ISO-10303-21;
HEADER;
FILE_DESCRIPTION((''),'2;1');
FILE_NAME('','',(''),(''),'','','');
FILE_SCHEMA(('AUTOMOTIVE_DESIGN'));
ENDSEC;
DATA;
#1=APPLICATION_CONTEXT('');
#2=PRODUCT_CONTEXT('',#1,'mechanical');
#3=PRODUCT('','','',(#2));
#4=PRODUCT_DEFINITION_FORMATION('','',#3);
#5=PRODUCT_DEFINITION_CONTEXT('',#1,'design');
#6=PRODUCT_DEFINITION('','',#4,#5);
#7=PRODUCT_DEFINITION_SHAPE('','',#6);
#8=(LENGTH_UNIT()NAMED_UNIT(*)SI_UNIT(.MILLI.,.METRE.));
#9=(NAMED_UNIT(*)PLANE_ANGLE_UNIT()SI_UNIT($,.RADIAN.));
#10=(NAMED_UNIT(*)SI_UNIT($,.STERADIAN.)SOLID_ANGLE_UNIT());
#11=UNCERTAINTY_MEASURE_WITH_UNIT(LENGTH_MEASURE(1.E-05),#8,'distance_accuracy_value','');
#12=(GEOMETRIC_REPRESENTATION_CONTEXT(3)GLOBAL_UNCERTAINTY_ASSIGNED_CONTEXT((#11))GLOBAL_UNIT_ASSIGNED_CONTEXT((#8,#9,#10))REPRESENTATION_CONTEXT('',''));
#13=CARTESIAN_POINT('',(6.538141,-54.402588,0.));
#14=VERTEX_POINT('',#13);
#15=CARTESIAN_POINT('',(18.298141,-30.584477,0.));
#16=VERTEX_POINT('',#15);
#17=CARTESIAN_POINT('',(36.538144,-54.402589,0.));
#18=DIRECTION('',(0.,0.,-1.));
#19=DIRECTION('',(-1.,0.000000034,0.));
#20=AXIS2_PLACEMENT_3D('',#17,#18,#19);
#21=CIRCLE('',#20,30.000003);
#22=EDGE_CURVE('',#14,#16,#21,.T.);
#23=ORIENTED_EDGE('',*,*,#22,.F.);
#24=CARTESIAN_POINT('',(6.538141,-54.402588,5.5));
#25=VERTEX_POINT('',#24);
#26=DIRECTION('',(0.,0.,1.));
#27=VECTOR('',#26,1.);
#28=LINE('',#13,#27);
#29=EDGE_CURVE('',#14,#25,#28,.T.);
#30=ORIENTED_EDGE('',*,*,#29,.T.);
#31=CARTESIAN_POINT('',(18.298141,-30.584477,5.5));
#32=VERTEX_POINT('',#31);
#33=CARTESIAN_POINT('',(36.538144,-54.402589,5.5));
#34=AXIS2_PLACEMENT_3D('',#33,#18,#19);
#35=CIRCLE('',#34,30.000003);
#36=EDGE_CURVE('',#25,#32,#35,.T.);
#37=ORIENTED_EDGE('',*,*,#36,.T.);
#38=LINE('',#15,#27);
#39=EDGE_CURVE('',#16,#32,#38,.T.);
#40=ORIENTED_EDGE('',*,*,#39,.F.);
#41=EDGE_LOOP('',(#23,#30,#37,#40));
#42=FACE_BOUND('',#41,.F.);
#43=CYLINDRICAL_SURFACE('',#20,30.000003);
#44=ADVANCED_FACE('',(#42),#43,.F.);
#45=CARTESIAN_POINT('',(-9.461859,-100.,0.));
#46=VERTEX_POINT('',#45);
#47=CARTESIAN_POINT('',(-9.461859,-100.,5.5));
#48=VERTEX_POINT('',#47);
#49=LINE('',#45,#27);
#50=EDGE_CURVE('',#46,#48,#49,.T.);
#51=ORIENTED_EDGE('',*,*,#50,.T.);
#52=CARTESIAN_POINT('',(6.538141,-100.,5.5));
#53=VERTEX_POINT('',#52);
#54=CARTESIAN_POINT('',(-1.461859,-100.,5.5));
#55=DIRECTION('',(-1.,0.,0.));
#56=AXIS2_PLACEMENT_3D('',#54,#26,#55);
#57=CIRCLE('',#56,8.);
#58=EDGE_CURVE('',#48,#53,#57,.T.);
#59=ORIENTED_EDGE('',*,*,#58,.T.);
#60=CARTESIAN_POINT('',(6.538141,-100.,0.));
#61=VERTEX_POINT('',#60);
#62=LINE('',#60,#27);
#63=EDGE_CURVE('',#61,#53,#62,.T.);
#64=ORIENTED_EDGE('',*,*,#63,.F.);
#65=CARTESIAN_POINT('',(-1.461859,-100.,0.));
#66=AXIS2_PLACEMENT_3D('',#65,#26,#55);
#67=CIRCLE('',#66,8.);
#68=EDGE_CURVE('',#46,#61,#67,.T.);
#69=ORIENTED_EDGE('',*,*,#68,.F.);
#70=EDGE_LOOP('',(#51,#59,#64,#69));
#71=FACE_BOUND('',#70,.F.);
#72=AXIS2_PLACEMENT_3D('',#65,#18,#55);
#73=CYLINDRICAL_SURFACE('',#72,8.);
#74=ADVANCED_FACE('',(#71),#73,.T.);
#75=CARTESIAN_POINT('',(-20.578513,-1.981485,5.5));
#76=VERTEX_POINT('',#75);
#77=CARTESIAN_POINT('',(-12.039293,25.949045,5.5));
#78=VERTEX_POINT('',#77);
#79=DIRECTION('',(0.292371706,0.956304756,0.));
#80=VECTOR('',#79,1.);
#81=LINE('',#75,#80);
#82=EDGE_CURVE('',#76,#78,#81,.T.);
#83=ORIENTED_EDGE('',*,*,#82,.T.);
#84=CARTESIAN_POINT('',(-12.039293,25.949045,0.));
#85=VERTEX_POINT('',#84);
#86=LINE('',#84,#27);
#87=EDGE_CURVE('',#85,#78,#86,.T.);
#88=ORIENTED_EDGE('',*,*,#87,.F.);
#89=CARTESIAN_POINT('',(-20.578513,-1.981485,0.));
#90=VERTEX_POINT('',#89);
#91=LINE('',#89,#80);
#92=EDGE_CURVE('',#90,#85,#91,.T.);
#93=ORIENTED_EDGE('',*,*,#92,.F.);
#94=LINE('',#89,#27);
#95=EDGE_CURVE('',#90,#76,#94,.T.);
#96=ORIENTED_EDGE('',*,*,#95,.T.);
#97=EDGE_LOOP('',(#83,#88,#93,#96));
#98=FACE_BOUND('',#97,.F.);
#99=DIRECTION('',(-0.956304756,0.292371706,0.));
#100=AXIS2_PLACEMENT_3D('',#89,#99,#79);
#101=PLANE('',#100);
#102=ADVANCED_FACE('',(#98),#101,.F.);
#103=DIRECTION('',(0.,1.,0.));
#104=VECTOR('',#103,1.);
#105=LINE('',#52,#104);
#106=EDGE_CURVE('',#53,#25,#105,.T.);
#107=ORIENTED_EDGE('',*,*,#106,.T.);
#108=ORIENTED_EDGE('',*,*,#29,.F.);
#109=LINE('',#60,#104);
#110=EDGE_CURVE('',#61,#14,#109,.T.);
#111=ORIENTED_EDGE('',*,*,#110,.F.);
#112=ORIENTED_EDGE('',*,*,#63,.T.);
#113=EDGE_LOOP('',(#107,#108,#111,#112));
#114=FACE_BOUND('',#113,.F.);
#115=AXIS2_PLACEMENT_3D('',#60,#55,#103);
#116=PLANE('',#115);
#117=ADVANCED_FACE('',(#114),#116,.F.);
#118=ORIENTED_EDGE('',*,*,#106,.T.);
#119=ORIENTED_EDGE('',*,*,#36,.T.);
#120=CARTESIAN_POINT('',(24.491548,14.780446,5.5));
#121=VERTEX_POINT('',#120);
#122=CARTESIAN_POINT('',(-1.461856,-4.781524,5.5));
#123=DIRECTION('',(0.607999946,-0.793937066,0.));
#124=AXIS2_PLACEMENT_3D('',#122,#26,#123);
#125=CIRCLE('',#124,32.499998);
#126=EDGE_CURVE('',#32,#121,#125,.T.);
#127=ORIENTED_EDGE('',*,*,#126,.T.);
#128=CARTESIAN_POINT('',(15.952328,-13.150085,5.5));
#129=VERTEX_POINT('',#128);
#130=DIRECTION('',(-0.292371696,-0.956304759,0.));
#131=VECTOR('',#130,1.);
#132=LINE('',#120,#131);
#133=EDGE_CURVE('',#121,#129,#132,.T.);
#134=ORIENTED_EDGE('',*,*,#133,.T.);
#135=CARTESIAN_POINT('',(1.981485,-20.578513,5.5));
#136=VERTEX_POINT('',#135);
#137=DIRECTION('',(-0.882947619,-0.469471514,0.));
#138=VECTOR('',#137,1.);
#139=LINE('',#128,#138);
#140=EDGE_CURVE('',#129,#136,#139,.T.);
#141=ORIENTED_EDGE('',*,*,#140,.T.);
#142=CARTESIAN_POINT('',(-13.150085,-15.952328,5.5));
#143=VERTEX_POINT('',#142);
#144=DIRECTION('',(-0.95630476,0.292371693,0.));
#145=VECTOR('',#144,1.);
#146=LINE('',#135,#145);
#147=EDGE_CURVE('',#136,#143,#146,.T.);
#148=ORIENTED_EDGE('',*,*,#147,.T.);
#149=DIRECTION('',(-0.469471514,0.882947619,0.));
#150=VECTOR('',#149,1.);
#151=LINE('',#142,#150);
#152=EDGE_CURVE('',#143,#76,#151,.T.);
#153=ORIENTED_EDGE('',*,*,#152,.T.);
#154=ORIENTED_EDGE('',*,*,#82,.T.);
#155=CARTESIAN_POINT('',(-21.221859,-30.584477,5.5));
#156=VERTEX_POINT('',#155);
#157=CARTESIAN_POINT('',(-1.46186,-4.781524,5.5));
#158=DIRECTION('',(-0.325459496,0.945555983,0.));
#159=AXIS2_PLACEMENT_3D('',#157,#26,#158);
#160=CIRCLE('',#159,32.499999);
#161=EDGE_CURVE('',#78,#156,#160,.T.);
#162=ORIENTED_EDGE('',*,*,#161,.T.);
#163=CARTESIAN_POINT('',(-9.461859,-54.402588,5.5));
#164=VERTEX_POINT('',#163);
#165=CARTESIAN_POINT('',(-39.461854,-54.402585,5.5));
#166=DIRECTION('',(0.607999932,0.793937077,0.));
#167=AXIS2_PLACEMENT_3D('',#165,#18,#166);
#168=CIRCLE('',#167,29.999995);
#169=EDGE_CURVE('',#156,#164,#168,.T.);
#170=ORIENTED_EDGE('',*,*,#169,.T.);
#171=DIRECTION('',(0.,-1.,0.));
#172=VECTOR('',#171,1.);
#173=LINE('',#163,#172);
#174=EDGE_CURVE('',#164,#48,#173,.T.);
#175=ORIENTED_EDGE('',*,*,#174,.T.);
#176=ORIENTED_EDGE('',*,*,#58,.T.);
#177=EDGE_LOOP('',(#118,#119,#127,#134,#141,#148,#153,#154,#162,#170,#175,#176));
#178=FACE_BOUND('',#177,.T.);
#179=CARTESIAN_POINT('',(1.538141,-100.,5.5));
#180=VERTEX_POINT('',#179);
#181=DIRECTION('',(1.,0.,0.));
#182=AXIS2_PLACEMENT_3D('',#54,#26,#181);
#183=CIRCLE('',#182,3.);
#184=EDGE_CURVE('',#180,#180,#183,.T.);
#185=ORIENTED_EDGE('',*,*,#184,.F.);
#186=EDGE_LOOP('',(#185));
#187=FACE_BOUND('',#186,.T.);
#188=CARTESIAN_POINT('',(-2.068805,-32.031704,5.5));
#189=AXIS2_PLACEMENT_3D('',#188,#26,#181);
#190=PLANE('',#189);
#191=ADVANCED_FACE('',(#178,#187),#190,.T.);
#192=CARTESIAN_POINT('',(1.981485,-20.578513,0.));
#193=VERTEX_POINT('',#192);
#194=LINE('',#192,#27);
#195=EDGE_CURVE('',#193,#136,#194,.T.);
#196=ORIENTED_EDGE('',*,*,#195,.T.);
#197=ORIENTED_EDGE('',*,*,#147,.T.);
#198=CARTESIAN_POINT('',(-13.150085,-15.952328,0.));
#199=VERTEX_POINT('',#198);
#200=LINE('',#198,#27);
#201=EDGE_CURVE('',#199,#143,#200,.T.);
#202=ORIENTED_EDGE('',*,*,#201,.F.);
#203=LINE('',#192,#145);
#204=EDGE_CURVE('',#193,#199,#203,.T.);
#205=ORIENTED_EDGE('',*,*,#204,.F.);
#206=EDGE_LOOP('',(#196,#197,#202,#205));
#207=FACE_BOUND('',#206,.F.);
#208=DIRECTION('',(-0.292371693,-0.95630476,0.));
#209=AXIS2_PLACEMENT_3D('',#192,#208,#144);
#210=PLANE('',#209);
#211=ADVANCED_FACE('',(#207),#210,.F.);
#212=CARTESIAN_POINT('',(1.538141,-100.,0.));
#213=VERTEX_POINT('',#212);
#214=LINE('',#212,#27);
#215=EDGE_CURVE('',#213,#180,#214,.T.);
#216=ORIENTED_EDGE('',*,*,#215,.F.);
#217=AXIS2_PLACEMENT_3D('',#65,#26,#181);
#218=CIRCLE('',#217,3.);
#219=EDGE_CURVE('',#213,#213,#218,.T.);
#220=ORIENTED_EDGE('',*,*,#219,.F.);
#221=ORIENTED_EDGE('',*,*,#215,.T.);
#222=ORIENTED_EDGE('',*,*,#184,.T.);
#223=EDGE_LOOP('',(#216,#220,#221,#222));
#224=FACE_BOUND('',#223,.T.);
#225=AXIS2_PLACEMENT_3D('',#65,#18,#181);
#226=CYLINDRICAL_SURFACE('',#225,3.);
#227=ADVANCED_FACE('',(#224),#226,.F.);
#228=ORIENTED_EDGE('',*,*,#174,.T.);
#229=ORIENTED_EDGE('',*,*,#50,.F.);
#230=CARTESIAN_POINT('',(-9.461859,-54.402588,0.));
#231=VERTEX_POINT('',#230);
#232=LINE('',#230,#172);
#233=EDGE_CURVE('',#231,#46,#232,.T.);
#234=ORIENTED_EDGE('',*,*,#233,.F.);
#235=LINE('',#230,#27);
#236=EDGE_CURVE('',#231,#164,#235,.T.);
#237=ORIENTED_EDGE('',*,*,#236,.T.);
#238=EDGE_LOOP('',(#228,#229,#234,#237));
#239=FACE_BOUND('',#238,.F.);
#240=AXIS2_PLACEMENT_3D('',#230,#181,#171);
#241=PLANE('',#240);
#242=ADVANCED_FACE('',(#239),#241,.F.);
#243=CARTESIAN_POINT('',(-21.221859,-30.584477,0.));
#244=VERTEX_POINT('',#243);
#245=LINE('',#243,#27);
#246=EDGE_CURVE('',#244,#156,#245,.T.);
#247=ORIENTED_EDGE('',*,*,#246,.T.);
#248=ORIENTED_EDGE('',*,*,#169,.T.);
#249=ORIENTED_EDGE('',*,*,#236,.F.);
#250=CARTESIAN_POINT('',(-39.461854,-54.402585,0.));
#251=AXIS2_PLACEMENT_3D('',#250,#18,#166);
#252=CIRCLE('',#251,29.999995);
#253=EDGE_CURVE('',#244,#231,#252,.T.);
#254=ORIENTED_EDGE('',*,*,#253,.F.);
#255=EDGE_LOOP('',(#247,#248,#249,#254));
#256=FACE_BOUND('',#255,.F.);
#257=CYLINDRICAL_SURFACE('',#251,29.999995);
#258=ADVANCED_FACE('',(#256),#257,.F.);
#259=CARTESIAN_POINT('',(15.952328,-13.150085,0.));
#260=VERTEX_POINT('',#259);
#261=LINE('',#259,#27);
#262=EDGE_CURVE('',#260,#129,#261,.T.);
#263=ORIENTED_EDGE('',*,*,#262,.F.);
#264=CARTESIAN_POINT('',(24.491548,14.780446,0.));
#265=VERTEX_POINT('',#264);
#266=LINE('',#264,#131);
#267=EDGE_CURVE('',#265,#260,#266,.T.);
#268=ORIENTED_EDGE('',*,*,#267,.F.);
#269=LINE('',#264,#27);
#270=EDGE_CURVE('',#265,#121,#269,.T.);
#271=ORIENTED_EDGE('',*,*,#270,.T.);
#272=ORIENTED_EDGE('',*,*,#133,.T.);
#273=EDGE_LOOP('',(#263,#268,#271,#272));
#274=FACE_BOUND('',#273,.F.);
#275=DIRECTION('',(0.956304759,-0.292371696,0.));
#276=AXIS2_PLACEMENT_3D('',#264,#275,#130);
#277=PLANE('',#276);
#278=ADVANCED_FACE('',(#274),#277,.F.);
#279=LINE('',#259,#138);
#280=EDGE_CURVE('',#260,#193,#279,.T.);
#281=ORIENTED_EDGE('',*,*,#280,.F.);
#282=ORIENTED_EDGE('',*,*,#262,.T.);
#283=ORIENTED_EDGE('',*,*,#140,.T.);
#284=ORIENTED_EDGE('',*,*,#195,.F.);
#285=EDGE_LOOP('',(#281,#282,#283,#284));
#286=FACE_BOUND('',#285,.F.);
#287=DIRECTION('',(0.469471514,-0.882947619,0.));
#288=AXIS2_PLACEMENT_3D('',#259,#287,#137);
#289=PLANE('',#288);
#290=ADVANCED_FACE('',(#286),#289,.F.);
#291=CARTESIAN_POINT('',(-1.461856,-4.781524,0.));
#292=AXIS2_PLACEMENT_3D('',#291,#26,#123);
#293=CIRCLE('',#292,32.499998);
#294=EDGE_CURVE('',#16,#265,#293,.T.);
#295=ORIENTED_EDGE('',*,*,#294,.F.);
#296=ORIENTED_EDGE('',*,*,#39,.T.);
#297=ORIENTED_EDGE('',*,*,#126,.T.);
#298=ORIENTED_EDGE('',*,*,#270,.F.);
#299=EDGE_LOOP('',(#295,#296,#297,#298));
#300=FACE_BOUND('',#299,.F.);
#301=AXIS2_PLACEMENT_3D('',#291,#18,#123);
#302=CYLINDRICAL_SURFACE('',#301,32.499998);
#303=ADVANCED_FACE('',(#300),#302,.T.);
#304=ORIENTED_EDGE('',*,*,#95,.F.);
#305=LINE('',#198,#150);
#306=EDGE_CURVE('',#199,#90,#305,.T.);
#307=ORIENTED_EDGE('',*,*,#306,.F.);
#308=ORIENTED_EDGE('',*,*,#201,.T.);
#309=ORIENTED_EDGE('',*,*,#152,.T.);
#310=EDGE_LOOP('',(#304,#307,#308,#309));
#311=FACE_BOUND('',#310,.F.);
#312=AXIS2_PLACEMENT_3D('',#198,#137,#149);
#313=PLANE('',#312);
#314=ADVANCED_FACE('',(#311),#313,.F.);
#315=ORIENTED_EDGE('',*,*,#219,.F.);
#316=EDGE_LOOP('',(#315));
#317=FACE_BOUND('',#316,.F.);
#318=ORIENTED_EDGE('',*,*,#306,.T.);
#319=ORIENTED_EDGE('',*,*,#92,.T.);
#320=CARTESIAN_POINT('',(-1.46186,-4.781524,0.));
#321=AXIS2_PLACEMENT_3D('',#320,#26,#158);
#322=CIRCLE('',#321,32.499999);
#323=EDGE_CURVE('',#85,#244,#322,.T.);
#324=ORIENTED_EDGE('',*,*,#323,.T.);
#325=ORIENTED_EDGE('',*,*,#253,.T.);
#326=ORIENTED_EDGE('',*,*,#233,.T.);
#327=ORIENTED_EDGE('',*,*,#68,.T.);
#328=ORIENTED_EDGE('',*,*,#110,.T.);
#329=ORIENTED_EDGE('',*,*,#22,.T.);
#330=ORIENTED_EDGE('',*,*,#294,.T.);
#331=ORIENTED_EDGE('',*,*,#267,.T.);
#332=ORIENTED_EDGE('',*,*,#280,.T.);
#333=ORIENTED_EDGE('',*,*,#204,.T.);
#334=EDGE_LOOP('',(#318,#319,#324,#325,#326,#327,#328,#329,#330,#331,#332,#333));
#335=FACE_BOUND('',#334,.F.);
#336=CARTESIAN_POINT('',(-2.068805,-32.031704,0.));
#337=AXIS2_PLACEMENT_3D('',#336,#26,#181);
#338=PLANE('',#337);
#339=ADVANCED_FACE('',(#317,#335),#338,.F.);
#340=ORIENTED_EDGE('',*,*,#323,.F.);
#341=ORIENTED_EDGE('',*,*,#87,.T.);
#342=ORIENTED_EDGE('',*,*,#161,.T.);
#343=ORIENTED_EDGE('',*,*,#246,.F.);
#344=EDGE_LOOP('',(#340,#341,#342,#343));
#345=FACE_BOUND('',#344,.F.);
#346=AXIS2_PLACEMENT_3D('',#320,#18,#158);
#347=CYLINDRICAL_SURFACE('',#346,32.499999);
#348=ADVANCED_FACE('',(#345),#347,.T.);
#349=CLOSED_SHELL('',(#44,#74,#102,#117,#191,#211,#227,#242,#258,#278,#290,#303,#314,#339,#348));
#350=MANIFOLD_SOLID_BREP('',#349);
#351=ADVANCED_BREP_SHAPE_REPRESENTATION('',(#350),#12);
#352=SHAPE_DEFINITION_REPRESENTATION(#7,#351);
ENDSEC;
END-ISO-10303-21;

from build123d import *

# Parameters (mm, degrees)
F0_R     = 3
F1_DEPTH = 5.5


with BuildPart() as f1:
    # F0 (on Top) → F1 (new body)
    with BuildSketch(Plane.XY):
        with BuildLine():
            Line((-9.461859, -54.402588), (-9.461859, -100))
            ThreePointArc((-9.461859, -100), (-1.461859, -108), (6.538141, -100))
            Line((6.538141, -100), (6.538141, -54.402588))
            ThreePointArc((6.538141, -54.402588), (9.638327, -41.121022), (18.298141, -30.584477))
            ThreePointArc((18.298141, -30.584477), (30.73943, -9.177777), (24.491548, 14.780446))
            Line((24.491548, 14.780446), (15.952328, -13.150085))
            Line((15.952328, -13.150085), (1.981485, -20.578513))
            Line((1.981485, -20.578513), (-13.150085, -15.952328))
            Line((-13.150085, -15.952328), (-20.578513, -1.981485))
            Line((-20.578513, -1.981485), (-12.039293, 25.949045))
            ThreePointArc((-12.039293, 25.949045), (-33.541444, 0.429064), (-21.221859, -30.584477))
            ThreePointArc((-21.221859, -30.584477), (-12.562044, -41.121022), (-9.461859, -54.402588))
        make_face()
        with Locations((-1.461859, -100)):
            Circle(F0_R, mode=Mode.SUBTRACT)
    extrude(amount=F1_DEPTH)


solid = f1.part
